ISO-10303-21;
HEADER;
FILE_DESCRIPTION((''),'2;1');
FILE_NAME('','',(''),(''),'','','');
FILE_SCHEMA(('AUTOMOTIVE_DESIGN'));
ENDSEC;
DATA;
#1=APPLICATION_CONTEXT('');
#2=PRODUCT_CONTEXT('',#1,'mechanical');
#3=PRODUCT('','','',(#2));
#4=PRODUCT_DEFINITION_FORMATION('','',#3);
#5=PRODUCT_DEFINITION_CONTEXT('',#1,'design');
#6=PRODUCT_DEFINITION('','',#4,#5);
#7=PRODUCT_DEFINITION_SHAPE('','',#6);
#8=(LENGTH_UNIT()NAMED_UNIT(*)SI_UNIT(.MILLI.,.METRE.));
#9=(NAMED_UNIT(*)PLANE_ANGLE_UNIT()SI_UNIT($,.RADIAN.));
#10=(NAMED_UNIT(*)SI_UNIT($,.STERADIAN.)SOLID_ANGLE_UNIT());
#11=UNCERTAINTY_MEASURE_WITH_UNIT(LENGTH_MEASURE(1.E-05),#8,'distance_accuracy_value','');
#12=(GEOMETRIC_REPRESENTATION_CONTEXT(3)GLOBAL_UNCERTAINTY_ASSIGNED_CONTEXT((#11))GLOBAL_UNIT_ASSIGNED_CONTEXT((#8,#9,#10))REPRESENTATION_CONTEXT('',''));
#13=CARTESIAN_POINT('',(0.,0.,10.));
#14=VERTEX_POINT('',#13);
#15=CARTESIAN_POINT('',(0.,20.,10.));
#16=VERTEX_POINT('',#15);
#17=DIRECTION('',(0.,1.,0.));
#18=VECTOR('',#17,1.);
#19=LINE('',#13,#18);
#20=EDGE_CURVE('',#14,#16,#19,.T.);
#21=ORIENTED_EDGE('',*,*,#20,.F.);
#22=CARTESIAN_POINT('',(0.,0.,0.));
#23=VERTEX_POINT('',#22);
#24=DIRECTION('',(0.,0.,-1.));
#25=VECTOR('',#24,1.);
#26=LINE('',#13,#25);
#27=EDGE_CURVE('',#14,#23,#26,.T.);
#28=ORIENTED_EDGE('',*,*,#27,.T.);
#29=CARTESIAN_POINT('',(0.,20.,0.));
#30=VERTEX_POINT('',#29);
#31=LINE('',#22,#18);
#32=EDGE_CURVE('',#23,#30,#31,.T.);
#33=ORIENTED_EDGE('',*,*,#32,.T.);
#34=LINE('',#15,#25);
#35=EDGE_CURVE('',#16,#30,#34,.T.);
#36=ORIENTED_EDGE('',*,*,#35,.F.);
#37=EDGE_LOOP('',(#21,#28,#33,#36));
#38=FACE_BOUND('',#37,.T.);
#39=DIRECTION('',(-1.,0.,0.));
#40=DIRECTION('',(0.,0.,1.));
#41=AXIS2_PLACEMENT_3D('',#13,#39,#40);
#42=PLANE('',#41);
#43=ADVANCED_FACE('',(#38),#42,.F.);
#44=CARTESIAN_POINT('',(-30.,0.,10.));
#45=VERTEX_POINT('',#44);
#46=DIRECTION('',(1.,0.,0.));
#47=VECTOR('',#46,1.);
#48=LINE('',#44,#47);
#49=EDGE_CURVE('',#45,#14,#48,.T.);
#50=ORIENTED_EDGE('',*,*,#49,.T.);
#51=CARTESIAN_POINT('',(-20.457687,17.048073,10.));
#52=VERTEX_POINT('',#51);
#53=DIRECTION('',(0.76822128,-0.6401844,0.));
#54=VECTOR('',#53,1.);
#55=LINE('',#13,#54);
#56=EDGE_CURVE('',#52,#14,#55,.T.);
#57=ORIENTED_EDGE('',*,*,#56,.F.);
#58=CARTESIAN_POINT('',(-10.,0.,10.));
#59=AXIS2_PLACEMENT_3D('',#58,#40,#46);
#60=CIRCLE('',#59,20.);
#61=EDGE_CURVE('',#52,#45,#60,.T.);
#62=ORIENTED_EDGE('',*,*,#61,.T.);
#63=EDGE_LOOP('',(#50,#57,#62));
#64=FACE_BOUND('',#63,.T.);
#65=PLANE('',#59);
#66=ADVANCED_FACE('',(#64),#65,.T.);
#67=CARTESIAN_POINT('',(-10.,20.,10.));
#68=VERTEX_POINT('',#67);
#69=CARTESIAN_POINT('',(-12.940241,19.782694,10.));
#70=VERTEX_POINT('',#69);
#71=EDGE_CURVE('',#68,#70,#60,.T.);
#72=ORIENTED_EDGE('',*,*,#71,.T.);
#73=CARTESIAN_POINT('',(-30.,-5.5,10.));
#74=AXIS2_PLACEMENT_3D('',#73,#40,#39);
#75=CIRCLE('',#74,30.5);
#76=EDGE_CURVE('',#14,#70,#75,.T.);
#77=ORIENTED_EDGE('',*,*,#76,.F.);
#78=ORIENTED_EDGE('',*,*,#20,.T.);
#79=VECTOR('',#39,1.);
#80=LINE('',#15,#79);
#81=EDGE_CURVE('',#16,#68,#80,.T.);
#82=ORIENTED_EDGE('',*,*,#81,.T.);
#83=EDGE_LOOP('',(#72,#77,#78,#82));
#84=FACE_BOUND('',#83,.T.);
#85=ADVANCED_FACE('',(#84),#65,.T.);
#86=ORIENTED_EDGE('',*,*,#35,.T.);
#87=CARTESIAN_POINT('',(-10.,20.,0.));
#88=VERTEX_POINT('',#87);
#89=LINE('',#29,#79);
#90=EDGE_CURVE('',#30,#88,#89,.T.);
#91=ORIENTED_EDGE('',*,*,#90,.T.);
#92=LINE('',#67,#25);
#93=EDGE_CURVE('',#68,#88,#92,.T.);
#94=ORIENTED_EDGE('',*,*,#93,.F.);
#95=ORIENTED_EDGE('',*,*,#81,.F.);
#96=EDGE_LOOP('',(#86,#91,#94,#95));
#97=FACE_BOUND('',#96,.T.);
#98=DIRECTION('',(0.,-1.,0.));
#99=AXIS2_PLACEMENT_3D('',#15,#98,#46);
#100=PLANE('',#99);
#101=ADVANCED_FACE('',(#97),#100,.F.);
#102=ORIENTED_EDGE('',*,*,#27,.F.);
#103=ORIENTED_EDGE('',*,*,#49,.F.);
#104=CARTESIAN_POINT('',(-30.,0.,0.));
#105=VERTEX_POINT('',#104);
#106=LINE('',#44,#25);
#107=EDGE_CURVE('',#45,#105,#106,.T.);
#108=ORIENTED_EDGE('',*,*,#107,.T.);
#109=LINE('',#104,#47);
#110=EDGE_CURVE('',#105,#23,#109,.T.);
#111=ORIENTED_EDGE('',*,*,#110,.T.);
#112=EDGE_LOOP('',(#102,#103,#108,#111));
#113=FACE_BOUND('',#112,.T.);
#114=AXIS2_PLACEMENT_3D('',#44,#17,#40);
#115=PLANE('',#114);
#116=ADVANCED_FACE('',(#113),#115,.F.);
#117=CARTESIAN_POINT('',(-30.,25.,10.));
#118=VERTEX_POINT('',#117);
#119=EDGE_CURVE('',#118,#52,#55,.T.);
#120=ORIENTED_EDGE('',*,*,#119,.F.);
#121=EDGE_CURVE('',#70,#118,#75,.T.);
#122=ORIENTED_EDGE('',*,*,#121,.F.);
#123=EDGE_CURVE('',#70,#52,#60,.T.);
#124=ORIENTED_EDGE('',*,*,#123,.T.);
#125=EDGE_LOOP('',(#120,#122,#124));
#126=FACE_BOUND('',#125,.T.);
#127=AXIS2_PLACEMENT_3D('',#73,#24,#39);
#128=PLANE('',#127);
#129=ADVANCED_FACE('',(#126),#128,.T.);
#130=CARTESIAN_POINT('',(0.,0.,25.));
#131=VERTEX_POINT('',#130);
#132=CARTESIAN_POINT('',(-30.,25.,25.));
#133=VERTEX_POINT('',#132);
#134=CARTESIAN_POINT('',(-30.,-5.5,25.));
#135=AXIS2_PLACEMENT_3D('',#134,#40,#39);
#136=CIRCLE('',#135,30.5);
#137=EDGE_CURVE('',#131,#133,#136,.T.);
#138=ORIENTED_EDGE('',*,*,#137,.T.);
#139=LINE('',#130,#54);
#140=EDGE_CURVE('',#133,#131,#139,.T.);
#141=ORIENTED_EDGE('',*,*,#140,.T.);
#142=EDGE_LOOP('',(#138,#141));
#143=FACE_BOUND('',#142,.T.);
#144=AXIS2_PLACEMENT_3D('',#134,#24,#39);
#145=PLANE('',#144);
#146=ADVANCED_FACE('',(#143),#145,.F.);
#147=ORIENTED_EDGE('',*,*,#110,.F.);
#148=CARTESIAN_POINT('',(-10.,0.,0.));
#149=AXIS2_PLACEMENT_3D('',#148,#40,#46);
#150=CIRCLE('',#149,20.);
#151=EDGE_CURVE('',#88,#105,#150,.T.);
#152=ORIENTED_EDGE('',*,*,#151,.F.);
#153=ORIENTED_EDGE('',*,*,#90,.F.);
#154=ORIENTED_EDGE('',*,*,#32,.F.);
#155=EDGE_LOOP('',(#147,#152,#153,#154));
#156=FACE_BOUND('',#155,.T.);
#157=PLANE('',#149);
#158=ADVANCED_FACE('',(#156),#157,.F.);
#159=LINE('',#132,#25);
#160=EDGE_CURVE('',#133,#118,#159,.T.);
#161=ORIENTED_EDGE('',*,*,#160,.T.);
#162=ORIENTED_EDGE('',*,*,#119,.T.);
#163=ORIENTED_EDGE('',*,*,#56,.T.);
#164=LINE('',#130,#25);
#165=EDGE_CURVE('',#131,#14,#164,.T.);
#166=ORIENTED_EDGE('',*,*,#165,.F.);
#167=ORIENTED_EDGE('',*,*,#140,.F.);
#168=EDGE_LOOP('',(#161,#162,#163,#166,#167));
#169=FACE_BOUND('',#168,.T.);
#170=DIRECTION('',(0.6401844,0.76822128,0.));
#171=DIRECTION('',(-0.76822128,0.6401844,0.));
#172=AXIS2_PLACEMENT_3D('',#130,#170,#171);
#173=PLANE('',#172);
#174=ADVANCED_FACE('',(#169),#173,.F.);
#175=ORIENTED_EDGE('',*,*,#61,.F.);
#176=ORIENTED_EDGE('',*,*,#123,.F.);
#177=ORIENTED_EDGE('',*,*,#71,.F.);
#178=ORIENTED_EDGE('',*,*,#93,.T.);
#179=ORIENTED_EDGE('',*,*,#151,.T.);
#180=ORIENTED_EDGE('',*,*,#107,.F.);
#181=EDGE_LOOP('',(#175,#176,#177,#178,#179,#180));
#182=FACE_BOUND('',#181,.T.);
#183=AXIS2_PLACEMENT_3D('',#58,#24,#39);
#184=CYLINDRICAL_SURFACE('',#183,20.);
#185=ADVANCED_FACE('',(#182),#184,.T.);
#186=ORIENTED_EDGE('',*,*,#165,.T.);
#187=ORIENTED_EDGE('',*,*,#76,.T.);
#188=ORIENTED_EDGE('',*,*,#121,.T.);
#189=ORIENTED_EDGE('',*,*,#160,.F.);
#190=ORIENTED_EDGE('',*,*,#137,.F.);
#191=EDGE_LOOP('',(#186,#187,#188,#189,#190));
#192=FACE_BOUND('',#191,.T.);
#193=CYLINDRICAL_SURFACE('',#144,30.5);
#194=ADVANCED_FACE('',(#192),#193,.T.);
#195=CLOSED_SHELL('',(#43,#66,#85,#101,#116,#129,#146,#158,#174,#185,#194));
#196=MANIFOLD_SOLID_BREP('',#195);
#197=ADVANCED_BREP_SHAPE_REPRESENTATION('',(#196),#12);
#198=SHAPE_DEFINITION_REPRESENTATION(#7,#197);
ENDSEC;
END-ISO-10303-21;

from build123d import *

# Parameters (mm, degrees)
BOSS_EXTRUDE1_DEPTH = 10
BOSS_EXTRUDE2_DEPTH = 15


with BuildPart() as part:
    # Sketch1 → Boss-Extrude1 (new body)
    with BuildSketch(Plane.XY):
        with BuildLine():
            Line((-30, 0), (0, 0))
            Line((0, 0), (0, 20))
            Line((0, 20), (-10, 20))
            ThreePointArc((-10, 20), (-24.142135624, 14.142135624), (-30, 0))
        make_face()
    extrude(amount=BOSS_EXTRUDE1_DEPTH)

    # Sketch2 → Boss-Extrude2 (add)
    with BuildSketch(Plane.XY.offset(10)):
        with BuildLine():
            Line((0, 0), (-30, 25))
            ThreePointArc((-30, 25), (-10.47437581, 17.930749028), (0, 0))
        make_face()
    extrude(amount=BOSS_EXTRUDE2_DEPTH)


solid = part.part
